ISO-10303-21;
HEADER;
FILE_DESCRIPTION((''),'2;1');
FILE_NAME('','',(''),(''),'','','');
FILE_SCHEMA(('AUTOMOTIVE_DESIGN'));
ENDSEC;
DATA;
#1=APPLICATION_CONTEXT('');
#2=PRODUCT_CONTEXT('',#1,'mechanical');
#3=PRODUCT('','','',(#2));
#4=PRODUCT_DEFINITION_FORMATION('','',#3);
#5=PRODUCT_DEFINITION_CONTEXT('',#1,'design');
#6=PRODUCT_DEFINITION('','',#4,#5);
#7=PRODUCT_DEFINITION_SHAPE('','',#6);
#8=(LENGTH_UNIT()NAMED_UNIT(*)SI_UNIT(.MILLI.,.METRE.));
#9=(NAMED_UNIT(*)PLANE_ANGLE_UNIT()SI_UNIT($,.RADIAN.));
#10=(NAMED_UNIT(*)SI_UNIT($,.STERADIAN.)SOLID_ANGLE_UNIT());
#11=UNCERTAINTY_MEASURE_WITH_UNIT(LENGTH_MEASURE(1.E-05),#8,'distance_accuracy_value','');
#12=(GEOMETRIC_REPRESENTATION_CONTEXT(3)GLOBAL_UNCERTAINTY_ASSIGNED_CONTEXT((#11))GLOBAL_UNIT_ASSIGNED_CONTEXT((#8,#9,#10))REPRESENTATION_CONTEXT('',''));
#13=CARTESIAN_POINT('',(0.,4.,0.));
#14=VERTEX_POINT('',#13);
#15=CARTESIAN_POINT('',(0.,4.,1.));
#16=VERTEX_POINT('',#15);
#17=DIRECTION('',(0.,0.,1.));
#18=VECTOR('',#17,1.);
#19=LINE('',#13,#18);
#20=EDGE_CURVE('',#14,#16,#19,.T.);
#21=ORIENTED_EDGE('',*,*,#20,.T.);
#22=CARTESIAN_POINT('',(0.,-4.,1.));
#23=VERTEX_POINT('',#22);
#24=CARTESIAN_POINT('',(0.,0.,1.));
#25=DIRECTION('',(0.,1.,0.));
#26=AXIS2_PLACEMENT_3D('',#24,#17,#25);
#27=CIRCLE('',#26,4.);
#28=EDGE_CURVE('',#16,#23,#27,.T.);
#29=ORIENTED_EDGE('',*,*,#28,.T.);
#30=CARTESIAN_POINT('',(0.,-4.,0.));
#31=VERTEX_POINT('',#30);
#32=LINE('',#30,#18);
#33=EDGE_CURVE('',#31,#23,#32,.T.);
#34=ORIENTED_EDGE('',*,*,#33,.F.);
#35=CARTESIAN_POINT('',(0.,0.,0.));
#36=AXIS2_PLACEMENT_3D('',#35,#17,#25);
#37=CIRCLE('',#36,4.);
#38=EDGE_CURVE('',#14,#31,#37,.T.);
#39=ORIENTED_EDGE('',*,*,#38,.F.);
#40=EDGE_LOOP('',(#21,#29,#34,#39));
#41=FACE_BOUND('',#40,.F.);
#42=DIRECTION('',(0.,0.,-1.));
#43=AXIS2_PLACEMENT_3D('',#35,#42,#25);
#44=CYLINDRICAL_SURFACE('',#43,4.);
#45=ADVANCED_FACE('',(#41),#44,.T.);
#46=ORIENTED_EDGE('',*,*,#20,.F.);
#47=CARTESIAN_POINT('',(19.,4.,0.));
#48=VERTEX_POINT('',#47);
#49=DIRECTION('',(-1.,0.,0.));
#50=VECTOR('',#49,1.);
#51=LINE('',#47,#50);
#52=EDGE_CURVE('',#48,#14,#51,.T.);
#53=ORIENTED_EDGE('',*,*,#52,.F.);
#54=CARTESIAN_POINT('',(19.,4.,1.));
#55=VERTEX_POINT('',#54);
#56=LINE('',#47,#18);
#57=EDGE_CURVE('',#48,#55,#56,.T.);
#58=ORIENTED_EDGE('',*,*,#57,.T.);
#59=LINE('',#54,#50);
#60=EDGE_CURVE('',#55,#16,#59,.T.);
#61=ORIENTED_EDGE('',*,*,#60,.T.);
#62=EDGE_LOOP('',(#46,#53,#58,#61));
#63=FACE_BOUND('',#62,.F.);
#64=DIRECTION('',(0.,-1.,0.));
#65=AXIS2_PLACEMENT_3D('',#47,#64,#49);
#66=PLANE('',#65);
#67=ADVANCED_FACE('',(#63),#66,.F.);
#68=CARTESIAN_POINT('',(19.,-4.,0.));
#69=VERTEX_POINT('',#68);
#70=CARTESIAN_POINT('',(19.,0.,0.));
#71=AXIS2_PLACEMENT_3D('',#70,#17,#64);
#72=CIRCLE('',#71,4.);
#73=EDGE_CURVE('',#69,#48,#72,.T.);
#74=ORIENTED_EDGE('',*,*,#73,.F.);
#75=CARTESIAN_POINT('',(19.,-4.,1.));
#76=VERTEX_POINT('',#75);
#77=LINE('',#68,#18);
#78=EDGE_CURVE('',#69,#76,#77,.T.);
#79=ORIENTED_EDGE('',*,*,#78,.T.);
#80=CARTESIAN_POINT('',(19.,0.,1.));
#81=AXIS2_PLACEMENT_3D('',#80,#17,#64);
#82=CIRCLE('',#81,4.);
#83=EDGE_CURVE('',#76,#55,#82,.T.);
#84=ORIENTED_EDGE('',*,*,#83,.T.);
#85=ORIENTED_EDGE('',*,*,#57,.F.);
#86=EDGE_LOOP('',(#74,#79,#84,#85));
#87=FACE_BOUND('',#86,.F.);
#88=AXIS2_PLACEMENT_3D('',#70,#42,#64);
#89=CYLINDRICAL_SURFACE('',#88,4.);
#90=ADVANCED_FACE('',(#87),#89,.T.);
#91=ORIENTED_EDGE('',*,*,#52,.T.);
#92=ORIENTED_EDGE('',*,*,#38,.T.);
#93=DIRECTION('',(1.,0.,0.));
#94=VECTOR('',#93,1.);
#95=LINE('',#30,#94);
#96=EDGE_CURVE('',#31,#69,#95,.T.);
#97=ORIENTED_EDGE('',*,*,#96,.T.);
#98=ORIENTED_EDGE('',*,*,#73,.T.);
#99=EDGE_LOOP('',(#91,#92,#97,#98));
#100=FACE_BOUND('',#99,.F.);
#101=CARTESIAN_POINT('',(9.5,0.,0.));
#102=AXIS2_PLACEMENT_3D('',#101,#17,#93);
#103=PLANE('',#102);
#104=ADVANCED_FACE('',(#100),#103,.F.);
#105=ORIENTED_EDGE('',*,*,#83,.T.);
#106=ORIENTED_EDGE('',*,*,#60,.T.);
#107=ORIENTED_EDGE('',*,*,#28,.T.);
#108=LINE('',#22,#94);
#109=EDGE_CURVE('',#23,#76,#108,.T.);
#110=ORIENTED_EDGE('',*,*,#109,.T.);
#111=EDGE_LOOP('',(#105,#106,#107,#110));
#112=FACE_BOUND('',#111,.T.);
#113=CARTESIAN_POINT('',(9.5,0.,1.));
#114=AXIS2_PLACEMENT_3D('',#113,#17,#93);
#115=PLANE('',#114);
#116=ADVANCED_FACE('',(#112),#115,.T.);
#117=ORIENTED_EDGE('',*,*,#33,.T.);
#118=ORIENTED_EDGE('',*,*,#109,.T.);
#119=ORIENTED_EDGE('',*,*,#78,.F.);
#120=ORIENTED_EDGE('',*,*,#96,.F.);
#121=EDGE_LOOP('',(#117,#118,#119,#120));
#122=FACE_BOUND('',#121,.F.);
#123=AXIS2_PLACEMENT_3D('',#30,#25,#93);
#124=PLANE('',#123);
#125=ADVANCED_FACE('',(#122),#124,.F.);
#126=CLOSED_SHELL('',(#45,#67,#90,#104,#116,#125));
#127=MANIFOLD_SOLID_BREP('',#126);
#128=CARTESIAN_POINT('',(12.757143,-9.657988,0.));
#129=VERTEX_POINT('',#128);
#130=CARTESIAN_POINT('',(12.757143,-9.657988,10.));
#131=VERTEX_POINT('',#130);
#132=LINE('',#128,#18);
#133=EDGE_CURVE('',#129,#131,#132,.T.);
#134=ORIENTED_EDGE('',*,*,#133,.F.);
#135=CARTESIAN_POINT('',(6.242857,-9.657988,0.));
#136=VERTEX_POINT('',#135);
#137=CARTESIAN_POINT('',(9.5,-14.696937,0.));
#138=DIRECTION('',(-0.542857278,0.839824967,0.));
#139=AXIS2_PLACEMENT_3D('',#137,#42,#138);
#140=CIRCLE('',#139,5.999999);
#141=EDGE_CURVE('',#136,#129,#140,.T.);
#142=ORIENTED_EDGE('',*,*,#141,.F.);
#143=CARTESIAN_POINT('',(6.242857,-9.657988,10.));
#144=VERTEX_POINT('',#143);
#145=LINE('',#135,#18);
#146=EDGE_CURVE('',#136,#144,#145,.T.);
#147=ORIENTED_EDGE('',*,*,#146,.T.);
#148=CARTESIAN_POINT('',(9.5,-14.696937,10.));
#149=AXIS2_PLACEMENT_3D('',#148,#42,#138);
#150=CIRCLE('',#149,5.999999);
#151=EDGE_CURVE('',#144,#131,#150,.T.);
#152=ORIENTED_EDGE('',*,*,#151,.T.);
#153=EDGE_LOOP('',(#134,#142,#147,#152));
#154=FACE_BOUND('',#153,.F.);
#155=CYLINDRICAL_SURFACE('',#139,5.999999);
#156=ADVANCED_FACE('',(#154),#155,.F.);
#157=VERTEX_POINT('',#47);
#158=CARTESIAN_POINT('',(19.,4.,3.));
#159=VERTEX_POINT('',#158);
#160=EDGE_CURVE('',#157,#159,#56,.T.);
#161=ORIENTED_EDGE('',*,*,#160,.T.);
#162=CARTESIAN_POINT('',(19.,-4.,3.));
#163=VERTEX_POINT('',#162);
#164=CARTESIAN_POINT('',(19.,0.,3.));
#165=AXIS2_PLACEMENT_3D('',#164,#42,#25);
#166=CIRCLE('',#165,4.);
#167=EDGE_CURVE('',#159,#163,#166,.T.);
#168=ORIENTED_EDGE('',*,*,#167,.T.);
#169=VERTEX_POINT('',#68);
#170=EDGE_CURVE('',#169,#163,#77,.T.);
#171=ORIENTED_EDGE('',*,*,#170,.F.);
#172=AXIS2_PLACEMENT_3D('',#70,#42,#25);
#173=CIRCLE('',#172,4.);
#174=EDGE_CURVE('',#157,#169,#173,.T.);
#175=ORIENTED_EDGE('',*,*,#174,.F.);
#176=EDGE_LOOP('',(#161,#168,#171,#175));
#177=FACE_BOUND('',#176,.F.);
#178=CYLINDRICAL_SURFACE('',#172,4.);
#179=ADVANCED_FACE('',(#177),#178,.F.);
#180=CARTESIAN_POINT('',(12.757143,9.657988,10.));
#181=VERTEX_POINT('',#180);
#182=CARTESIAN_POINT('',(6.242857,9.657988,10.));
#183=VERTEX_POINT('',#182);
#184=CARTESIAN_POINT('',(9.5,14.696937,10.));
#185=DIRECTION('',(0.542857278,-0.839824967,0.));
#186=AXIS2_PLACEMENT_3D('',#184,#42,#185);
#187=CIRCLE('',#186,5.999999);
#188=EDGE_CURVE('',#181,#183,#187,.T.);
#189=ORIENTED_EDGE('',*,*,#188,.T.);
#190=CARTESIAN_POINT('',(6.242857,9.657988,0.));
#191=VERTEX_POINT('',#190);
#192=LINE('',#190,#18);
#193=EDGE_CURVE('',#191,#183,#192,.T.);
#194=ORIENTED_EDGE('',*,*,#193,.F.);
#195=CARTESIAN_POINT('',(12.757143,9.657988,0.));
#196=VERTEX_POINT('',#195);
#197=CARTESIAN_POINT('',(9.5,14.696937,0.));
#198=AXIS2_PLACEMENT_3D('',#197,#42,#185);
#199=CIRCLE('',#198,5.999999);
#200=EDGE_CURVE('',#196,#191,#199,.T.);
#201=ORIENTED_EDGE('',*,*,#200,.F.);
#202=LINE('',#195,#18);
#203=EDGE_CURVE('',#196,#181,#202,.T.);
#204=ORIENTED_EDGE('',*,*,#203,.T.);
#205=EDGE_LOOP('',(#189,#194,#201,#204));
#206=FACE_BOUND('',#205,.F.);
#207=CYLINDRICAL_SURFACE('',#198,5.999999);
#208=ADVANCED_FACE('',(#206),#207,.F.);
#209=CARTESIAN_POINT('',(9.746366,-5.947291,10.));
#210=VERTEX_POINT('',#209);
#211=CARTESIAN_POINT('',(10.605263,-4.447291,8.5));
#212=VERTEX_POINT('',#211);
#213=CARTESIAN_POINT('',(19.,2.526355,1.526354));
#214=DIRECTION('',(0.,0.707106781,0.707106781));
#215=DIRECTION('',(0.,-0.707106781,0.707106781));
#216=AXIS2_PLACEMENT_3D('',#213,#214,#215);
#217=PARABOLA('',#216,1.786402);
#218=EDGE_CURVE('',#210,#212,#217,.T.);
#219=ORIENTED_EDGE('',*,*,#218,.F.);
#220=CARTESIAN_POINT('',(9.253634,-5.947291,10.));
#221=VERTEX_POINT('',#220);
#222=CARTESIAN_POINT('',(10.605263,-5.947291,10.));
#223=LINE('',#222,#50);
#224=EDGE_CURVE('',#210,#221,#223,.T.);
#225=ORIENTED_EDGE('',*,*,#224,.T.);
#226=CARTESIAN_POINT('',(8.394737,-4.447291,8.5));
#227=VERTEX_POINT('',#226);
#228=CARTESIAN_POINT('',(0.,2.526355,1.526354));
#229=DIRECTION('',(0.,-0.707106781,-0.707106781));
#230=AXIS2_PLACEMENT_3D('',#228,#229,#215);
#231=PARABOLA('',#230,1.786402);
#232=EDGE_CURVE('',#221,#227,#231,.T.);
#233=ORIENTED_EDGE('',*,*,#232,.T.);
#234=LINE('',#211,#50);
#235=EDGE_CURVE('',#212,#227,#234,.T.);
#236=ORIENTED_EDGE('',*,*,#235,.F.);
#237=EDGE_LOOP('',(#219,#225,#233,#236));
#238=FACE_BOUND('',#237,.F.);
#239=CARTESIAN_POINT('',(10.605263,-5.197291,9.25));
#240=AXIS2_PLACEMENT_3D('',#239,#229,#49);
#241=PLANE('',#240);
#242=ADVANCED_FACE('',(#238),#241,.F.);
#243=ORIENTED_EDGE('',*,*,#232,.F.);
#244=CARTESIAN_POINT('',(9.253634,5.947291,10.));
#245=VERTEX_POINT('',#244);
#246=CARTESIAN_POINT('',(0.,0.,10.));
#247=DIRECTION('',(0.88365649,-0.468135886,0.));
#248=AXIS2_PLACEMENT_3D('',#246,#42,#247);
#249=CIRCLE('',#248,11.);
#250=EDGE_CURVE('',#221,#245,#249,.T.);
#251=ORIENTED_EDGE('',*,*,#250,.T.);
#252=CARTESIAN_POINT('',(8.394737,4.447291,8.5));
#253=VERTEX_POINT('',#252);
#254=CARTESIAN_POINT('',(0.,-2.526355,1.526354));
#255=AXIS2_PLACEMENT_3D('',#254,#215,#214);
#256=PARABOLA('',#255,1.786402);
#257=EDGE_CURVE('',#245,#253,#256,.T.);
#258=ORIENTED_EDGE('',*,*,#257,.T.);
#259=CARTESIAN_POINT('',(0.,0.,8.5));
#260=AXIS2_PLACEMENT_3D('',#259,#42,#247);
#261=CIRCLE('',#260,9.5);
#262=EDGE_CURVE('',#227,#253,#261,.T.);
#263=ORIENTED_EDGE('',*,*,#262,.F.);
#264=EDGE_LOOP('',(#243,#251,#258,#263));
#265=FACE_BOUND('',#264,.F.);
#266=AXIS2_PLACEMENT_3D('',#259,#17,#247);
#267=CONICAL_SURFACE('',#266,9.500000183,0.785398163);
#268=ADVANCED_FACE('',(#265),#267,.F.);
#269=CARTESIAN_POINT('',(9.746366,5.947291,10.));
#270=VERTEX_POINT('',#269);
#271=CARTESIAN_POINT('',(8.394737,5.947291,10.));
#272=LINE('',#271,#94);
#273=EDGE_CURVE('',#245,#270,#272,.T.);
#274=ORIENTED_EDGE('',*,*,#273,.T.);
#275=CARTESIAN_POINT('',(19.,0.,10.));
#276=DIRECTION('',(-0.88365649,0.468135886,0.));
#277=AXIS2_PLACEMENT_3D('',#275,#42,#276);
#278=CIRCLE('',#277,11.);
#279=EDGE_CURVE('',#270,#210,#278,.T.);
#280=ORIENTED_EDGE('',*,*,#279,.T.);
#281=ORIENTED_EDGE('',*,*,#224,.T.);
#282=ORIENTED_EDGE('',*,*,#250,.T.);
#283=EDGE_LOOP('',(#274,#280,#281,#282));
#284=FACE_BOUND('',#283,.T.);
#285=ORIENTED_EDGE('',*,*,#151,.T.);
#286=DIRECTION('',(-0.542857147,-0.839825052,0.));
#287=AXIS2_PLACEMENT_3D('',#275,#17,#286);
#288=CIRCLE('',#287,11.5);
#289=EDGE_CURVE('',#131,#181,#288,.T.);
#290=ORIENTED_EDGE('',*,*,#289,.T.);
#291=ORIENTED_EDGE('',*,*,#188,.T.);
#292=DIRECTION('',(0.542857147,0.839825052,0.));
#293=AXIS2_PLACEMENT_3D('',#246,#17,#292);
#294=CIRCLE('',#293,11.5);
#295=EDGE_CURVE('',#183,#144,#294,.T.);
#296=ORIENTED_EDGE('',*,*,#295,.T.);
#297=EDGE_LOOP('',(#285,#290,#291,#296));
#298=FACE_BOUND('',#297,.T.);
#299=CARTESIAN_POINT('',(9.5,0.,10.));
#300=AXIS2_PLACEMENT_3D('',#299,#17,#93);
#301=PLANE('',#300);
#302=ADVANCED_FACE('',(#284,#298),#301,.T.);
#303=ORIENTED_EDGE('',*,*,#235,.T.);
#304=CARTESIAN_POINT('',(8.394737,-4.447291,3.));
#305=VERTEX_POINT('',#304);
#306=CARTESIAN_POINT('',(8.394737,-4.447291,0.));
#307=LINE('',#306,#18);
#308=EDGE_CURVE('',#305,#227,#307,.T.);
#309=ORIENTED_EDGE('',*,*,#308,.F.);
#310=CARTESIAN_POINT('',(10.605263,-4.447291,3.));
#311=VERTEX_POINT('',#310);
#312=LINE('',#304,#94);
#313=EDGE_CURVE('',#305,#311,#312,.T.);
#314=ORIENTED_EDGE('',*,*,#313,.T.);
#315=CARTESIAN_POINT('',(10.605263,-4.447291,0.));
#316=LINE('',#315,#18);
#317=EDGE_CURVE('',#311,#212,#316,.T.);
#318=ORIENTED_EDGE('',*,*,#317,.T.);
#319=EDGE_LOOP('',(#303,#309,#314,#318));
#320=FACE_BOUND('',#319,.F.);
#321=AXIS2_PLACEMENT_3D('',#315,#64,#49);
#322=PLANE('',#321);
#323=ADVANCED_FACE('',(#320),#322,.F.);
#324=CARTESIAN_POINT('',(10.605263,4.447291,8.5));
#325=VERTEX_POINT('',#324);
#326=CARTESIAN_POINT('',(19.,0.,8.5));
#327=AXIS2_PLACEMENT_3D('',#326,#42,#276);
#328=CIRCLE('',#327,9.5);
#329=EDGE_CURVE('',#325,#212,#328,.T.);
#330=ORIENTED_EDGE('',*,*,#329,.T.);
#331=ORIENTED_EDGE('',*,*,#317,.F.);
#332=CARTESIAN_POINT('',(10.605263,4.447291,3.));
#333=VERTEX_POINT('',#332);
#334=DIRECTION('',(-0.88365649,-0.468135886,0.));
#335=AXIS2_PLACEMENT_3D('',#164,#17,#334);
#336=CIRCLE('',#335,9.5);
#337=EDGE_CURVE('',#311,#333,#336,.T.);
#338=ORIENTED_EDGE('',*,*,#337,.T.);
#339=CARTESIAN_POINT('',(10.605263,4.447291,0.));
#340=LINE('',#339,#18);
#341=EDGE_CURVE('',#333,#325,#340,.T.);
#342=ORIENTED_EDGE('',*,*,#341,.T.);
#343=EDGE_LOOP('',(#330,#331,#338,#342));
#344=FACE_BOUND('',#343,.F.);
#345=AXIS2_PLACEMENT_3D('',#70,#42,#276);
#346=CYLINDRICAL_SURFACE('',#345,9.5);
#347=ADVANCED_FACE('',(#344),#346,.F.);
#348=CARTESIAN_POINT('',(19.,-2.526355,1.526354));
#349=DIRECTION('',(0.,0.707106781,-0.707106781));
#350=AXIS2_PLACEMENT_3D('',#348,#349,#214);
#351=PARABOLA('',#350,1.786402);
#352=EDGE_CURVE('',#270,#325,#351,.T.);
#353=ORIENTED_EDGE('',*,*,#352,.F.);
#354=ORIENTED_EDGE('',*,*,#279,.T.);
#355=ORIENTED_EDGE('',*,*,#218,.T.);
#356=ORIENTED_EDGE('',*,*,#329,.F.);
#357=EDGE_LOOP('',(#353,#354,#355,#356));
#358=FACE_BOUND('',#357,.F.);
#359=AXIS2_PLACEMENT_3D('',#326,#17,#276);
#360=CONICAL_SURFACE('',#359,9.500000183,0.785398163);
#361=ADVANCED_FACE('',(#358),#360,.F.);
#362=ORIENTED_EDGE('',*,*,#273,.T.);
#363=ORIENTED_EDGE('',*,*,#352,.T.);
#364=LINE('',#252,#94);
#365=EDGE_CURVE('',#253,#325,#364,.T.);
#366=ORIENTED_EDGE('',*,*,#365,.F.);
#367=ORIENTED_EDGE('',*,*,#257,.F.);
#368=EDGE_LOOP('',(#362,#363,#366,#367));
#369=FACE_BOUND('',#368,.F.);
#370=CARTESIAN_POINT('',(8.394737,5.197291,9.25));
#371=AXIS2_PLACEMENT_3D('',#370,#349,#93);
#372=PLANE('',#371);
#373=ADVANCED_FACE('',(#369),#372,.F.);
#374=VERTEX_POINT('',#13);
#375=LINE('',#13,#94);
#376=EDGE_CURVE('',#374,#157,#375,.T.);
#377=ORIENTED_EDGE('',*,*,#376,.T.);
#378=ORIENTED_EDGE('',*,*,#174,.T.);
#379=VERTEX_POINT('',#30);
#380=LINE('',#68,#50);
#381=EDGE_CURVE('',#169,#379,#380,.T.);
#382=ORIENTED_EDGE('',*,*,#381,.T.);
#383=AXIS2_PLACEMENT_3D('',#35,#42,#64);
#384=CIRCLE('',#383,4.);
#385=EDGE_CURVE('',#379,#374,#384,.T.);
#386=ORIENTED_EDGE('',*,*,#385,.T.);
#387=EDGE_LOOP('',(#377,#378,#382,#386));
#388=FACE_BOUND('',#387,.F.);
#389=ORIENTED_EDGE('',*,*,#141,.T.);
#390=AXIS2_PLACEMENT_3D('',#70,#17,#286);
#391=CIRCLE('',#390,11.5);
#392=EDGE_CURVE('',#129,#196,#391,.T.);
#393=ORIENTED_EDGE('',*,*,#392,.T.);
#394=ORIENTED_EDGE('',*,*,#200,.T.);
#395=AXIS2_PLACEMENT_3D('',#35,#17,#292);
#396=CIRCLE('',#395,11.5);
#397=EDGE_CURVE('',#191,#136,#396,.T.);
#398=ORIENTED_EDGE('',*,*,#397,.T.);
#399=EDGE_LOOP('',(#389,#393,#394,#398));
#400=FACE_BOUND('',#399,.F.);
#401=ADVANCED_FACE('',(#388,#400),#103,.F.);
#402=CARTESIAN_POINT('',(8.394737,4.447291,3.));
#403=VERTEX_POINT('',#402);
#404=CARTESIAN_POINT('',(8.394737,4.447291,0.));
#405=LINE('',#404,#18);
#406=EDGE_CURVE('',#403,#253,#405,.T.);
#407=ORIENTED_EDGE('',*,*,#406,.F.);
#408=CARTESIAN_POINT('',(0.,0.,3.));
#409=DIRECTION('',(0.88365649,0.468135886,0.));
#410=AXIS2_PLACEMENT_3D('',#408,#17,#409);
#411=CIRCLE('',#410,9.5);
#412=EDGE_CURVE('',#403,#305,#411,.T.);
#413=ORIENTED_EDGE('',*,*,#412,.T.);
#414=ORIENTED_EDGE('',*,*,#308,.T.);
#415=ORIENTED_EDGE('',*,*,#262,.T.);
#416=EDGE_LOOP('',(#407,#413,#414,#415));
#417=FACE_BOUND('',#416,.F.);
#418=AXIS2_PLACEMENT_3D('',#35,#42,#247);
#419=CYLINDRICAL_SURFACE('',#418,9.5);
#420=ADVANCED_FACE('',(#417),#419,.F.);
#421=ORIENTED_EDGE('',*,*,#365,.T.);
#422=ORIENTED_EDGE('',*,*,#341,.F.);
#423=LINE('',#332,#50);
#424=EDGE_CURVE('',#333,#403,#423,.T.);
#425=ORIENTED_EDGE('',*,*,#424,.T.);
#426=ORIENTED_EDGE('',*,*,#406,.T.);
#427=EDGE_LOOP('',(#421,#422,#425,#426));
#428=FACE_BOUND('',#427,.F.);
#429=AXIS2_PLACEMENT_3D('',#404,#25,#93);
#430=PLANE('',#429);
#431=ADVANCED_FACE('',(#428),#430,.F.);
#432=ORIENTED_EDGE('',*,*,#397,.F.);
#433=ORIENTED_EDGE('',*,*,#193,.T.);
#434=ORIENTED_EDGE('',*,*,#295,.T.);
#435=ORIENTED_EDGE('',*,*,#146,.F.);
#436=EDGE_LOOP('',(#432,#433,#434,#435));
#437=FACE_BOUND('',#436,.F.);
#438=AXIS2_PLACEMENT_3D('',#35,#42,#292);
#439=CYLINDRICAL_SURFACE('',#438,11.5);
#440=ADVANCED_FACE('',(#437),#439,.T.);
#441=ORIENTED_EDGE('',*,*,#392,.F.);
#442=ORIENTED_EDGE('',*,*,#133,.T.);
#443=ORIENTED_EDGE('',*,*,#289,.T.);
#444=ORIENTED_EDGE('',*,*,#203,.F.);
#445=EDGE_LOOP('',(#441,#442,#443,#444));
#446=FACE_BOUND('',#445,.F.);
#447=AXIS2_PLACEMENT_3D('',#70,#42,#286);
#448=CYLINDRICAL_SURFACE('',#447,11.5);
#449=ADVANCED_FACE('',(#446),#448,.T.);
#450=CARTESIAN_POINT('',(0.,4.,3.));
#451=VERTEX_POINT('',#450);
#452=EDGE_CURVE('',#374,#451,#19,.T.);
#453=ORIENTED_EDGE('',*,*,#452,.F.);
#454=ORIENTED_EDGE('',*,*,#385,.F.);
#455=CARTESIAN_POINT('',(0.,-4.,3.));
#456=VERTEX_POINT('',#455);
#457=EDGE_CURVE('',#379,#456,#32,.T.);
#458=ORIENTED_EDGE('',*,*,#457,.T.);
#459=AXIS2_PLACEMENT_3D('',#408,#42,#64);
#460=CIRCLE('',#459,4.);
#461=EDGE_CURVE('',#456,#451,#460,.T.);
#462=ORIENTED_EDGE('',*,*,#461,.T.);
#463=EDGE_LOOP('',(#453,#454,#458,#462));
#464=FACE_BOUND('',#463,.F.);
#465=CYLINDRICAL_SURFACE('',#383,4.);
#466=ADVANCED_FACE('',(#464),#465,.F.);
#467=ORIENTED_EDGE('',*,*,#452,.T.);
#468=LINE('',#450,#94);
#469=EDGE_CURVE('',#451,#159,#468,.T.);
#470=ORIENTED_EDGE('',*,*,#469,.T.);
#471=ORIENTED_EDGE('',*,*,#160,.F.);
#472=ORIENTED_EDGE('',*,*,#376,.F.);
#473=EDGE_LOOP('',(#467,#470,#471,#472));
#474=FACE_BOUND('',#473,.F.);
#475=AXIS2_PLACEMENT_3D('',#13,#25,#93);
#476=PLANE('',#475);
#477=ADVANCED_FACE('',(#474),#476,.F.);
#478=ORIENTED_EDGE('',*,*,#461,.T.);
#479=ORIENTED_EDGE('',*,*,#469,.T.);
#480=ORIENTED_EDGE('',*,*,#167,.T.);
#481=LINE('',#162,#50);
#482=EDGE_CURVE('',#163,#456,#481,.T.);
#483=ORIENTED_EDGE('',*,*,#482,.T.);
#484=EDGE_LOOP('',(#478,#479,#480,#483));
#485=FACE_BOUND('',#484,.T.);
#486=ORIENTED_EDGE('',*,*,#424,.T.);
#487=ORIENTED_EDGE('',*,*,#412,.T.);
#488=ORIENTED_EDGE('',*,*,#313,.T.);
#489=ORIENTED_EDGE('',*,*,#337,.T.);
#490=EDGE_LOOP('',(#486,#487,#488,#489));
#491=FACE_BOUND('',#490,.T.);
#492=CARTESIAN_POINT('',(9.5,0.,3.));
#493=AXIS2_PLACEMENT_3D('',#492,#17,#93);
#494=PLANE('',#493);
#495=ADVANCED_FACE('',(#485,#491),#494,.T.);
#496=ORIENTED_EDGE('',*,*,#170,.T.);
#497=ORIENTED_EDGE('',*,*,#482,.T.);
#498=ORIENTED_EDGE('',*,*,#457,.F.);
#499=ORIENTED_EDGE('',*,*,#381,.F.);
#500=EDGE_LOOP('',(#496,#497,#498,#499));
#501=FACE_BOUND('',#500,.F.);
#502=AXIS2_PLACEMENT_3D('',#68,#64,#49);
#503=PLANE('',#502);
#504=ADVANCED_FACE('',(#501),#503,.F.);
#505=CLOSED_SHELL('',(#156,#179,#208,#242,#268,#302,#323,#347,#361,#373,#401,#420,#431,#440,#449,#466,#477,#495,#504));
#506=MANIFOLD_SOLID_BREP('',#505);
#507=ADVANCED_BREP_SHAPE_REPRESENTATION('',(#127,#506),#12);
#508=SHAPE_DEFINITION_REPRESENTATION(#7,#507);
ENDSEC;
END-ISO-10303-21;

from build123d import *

# Parameters (mm, degrees)
F1_DEPTH = 1
F2_DEPTH = 3
F3_DEPTH = 10
F4_SIZE  = 1.5


with BuildPart() as f1:
    # F0 (on Top) → F1 (new body)
    with BuildSketch(Plane.XY):
        with BuildLine():
            Line((19, 4), (0, 4))
            ThreePointArc((0, 4), (-4, 0), (0, -4))
            Line((0, -4), (19, -4))
            ThreePointArc((19, -4), (23, 0), (19, 4))
        make_face()
    extrude(amount=F1_DEPTH)


with BuildPart() as f2:
    # F0 (on Top) → F2 (new body)
    with BuildSketch(Plane.XY):
        with BuildLine():
            Line((10.605263, 4.447291), (8.394737, 4.447291))
            ThreePointArc((8.394737, 4.447291), (-9.5, 0), (8.394737, -4.447291))
            Line((8.394737, -4.447291), (10.605263, -4.447291))
            ThreePointArc((10.605263, -4.447291), (28.5, 0), (10.605263, 4.447291))
        make_face()
        with BuildLine():
            ThreePointArc((0, -4), (-4, 0), (0, 4))
            Line((0, 4), (19, 4))
            ThreePointArc((19, 4), (23, 0), (19, -4))
            Line((19, -4), (0, -4))
        make_face(mode=Mode.SUBTRACT)
    extrude(amount=F2_DEPTH)

    # F0 (on Top) → F3 (join)
    with BuildSketch(Plane.XY):
        with BuildLine():
            ThreePointArc((12.757143, 9.657988), (9.5, 8.696938), (6.242857, 9.657988))
            ThreePointArc((6.242857, 9.657988), (-11.5, 0), (6.242857, -9.657988))
            ThreePointArc((6.242857, -9.657988), (9.5, -8.696938), (12.757143, -9.657988))
            ThreePointArc((12.757143, -9.657988), (30.5, 0), (12.757143, 9.657988))
        make_face()
        with BuildLine():
            ThreePointArc((8.394737, -4.447291), (-9.5, 0), (8.394737, 4.447291))
            Line((8.394737, 4.447291), (10.605263, 4.447291))
            ThreePointArc((10.605263, 4.447291), (28.5, 0), (10.605263, -4.447291))
            Line((10.605263, -4.447291), (8.394737, -4.447291))
        make_face(mode=Mode.SUBTRACT)
    extrude(amount=F3_DEPTH)

    # F4
    f4_edges = [f2.edges().sort_by_distance(p)[0] for p in [
        (-9.5, 0, 10),
        (28.5, 0, 10),
        (9.5, 4.447291, 10),
        (9.5, -4.447291, 10),
    ]]
    chamfer(f4_edges, length=F4_SIZE)


solid = Compound([f1.part, f2.part])
